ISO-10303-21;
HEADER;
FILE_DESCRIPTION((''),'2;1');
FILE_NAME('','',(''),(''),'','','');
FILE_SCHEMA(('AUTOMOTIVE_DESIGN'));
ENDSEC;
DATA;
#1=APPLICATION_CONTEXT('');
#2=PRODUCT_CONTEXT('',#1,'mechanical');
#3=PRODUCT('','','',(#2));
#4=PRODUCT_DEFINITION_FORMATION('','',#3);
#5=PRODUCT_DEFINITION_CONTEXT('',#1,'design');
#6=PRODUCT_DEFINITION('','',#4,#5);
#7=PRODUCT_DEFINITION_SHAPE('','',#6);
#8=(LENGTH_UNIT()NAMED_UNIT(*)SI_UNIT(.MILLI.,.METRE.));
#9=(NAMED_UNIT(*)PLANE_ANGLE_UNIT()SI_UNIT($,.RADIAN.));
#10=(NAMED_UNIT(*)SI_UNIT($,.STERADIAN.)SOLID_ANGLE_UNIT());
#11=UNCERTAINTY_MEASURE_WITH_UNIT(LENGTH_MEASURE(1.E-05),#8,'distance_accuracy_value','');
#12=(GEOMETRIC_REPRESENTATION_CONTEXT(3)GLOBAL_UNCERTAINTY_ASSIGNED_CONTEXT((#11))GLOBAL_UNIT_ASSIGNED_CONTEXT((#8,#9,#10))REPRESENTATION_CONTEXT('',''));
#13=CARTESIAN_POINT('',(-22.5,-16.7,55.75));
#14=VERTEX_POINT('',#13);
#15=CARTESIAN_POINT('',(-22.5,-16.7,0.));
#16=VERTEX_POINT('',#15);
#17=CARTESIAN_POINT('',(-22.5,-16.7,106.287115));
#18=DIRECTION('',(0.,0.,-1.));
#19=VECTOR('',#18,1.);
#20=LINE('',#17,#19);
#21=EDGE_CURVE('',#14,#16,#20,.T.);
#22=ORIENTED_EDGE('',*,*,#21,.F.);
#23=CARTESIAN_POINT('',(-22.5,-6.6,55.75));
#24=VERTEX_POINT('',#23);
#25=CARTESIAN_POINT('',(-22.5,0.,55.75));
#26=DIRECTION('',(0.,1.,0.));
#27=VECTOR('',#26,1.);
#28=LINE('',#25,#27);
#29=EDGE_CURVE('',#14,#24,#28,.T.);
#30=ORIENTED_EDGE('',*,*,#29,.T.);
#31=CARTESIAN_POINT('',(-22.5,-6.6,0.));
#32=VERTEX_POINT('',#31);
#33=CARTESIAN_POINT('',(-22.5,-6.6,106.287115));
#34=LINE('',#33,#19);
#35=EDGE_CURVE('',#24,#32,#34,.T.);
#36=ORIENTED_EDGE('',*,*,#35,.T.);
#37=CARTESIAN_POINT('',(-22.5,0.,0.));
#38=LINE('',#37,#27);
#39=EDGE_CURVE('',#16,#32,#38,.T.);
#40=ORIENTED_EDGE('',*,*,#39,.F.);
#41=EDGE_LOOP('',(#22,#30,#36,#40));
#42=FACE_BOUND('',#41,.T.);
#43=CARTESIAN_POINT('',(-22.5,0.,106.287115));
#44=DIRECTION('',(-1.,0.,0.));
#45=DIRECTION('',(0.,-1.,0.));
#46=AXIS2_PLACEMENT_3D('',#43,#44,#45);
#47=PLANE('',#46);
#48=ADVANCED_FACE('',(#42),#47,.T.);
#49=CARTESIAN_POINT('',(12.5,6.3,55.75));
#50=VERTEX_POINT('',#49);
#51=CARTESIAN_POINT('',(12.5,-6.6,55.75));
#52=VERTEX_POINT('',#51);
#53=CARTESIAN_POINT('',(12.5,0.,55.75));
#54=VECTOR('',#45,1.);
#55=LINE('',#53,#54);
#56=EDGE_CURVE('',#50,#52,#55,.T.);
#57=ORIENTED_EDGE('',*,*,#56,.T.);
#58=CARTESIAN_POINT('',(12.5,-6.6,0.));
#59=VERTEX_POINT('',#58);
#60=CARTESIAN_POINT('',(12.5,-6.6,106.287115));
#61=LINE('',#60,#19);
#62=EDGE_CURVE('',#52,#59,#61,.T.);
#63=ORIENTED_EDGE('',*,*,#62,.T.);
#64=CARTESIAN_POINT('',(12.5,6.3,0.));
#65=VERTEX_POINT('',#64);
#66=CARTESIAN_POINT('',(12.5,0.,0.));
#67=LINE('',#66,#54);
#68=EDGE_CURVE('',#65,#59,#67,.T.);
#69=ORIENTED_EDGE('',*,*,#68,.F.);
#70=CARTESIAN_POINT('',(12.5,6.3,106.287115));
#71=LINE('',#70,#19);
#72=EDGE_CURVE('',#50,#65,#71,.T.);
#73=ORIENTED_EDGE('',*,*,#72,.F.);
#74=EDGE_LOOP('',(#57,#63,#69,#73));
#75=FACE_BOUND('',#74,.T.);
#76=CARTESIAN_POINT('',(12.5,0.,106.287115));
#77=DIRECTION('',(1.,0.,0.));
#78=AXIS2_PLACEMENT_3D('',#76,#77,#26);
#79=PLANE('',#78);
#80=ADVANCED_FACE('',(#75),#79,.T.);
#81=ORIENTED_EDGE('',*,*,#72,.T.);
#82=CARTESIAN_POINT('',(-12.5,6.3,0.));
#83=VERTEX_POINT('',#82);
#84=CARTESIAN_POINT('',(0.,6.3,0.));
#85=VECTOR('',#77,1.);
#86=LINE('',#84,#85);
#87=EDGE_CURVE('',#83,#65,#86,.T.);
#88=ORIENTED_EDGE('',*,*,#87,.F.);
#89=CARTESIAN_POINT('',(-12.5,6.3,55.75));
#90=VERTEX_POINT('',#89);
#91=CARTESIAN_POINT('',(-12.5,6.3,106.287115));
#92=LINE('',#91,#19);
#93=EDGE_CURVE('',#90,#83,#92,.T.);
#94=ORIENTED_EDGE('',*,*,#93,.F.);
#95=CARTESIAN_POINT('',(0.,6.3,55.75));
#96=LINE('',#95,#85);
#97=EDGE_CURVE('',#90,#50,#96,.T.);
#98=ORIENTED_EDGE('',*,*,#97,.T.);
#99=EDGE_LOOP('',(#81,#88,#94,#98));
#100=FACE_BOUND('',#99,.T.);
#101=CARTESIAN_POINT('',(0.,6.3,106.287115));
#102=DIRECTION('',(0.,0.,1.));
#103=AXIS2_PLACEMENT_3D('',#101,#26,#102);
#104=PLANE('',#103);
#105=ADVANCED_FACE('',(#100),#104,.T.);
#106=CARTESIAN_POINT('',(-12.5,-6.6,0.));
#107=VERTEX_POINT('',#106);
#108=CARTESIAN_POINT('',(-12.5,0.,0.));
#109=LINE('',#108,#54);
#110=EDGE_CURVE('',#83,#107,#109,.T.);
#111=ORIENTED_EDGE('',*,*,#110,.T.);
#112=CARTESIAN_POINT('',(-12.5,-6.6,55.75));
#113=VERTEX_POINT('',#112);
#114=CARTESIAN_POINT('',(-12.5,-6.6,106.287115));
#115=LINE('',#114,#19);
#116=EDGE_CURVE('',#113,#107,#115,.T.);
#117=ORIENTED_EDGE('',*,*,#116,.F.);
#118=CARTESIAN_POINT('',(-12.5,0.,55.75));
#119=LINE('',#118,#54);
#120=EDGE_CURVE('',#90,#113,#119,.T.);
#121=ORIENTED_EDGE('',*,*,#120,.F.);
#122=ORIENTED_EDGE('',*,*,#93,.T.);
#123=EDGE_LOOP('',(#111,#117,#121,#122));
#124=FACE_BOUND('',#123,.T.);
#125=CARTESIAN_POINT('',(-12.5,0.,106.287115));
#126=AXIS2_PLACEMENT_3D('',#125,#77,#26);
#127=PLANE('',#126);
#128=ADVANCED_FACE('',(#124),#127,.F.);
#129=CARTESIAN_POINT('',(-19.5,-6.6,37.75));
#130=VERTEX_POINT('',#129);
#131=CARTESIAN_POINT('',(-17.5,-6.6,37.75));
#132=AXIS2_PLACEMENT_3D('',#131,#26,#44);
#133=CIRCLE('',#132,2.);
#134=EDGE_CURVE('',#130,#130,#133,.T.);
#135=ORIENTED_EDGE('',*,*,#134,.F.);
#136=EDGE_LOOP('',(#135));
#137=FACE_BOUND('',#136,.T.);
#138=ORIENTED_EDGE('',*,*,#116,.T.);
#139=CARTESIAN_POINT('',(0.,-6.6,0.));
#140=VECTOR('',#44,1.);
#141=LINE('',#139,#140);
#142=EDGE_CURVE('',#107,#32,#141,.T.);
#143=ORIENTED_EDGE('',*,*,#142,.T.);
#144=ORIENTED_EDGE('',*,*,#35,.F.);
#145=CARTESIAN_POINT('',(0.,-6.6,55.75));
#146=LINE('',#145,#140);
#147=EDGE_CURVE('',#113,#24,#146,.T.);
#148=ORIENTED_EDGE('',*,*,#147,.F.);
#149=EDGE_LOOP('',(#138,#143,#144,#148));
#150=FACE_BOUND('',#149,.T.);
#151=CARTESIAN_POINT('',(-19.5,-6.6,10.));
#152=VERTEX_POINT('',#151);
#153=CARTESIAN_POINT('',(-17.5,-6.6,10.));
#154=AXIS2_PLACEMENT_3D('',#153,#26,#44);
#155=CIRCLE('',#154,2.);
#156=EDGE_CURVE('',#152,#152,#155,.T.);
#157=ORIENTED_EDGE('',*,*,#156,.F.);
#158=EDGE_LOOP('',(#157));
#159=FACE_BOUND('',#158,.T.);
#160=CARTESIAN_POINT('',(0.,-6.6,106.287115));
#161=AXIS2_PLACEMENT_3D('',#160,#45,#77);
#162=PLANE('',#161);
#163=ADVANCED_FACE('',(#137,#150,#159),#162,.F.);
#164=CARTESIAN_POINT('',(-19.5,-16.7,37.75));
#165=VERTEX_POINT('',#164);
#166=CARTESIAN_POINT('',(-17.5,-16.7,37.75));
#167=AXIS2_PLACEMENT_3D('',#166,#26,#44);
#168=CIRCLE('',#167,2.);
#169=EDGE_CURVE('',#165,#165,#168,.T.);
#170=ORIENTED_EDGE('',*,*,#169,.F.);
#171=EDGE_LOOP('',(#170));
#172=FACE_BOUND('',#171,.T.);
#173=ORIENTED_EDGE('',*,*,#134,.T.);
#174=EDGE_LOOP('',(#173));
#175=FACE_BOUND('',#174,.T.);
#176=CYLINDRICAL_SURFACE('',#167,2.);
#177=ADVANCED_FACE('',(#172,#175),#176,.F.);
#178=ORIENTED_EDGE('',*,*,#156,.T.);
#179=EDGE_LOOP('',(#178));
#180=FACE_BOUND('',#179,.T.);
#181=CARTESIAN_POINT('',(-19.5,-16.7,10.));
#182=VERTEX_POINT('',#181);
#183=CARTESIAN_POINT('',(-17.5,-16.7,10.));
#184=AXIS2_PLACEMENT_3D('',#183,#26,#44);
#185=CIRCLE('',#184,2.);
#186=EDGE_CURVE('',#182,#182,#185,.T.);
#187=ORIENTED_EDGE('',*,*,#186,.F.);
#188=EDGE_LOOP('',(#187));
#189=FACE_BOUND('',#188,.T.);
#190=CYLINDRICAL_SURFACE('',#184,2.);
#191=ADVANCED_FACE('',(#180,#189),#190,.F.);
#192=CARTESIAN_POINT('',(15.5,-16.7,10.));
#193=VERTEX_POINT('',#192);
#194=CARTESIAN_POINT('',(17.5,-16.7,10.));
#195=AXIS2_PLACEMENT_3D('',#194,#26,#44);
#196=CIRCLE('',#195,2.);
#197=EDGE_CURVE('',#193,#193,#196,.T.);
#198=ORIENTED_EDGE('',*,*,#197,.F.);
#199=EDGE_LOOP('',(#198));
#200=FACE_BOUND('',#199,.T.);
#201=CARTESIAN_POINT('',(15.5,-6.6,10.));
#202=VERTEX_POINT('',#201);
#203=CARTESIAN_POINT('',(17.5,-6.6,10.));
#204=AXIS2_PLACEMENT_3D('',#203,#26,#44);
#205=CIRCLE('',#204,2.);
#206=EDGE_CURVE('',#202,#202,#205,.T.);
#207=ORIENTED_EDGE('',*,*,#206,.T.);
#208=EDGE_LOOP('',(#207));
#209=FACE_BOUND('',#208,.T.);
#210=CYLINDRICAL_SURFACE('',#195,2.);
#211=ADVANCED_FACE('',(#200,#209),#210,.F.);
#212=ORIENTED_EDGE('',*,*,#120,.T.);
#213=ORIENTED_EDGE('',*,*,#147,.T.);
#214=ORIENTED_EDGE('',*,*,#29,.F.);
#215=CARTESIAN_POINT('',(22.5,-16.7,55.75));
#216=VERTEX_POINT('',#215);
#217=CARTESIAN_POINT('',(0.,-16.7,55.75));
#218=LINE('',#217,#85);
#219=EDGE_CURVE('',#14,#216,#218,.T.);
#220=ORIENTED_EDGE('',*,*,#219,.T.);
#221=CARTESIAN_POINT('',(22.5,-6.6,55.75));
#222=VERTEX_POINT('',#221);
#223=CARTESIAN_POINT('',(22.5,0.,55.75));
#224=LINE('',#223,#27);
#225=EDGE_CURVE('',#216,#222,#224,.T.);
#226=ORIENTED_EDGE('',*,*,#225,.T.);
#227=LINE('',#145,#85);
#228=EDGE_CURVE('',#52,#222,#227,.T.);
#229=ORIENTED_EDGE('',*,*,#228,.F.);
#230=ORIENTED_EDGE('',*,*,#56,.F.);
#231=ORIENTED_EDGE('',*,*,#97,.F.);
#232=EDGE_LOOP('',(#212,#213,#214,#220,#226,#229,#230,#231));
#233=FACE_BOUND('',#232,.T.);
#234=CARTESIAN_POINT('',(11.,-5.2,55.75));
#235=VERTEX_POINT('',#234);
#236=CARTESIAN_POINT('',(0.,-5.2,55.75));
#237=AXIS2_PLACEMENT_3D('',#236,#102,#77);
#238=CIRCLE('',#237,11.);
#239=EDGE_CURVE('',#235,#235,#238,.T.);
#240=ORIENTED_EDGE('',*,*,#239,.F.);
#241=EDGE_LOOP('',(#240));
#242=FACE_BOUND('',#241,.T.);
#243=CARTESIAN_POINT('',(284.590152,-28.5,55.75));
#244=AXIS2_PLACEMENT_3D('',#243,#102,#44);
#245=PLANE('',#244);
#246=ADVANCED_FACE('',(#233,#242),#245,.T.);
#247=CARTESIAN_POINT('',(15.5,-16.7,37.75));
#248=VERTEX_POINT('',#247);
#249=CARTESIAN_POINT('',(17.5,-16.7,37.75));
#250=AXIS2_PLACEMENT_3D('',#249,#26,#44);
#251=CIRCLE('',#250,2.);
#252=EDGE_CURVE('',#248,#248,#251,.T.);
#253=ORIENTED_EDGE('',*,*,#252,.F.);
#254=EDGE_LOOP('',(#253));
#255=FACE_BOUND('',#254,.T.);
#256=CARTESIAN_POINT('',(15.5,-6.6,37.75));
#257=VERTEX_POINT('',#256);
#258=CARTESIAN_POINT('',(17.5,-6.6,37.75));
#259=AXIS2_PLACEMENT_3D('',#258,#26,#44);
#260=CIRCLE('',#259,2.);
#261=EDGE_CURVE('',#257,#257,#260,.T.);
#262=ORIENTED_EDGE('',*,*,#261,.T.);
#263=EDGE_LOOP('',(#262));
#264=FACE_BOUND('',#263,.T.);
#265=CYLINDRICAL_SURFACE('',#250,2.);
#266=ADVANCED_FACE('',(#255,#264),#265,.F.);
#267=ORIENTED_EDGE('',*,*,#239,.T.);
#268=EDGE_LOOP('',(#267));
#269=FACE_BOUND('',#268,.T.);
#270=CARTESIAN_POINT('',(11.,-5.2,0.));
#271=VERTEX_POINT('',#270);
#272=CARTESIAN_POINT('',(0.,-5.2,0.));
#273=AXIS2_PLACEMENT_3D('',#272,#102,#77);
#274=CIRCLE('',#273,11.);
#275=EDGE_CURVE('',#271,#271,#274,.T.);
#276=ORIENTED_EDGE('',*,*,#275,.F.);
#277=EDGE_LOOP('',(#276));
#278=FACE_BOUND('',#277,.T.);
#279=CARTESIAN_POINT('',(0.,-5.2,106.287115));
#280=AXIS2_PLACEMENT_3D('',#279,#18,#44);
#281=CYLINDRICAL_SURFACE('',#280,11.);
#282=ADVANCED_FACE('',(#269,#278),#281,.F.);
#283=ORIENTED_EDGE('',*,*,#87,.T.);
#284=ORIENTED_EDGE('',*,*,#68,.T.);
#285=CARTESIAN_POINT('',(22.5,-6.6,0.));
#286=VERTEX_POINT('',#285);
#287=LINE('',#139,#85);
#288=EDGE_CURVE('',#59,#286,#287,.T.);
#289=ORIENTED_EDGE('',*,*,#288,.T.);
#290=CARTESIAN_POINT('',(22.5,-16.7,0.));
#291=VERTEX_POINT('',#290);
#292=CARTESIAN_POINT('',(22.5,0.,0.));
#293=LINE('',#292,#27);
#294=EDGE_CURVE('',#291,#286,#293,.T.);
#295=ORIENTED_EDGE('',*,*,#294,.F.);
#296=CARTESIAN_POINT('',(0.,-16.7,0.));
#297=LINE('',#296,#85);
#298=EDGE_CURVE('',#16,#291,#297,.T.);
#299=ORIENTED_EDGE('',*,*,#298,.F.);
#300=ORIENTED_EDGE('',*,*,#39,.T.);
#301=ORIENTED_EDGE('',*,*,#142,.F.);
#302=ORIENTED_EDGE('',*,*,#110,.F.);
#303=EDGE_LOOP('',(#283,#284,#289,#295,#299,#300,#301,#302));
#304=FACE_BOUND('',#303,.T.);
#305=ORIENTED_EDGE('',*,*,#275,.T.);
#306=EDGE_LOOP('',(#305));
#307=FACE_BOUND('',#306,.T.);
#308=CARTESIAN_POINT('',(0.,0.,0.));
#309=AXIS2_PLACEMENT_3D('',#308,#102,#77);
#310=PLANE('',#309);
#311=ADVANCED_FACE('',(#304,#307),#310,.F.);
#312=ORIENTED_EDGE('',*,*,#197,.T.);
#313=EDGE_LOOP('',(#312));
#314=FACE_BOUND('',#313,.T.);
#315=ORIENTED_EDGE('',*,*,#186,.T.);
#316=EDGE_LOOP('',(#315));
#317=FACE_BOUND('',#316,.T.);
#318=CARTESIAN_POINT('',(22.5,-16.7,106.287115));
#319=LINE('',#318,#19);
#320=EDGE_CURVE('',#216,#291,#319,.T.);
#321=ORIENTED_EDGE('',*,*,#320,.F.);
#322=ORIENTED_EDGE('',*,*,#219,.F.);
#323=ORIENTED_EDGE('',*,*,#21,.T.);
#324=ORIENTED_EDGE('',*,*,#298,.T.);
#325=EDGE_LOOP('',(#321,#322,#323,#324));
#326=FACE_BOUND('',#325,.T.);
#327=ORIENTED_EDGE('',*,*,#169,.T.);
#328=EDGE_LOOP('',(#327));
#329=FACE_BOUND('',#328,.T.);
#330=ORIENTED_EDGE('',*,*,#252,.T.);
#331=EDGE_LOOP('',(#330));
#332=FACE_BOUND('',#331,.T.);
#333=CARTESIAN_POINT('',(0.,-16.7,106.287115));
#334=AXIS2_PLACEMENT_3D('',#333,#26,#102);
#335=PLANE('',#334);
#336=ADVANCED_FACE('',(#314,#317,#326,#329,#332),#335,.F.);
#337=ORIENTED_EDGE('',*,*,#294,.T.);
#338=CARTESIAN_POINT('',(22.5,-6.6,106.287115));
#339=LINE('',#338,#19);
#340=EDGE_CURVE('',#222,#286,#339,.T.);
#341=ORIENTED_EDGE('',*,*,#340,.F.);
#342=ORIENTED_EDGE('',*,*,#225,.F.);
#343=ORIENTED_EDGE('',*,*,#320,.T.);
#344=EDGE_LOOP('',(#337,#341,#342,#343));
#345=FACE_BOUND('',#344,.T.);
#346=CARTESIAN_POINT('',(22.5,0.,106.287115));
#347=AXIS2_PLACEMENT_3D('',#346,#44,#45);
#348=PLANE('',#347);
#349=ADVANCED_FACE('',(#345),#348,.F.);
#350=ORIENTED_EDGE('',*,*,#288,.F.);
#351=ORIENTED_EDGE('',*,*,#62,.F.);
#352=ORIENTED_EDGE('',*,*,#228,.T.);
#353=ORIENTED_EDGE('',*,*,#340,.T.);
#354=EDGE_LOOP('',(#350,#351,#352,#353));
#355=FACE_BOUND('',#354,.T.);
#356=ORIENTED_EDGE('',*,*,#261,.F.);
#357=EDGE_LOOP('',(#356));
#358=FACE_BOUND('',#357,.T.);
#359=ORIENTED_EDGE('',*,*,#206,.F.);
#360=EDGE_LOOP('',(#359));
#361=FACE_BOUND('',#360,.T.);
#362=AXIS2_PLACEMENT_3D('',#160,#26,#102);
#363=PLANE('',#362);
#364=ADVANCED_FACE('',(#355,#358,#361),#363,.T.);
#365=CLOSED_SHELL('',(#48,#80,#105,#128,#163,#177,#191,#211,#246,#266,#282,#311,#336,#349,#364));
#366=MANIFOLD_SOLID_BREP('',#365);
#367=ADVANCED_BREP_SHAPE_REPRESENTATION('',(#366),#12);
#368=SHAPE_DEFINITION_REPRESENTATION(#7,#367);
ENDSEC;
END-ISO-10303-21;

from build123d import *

# Parameters (mm, degrees)
SKETCH1_W           = 25
SKETCH1_H           = 23
SKETCH1_R           = 11
SKETCH1_W_2         = 10
SKETCH1_H_2         = 10.1
BOSS_EXTRUDE1_DEPTH = 55.75
SKETCH2_R           = 2
CUT_EXTRUDE1_DEPTH  = 62.487580047


with BuildPart() as part:
    # Sketch1 → Boss-Extrude1 (new body)
    # profile 1 of 3: a face of its own
    with BuildSketch(Plane.XY):
        with Locations((0, -5.2)):
            Rectangle(SKETCH1_W, SKETCH1_H)
        with Locations((0, -5.2)):
            Circle(SKETCH1_R, mode=Mode.SUBTRACT)
    # profile 2 of 3: a face of its own
    with BuildSketch(Plane.XY):
        with Locations((-17.5, -11.65)):
            Rectangle(SKETCH1_W_2, SKETCH1_H_2)
    # profile 3 of 3: a face of its own
    with BuildSketch(Plane.XY):
        with Locations((17.5, -11.65)):
            Rectangle(SKETCH1_W_2, SKETCH1_H_2)
    extrude(amount=BOSS_EXTRUDE1_DEPTH)

    # Sketch2 → Cut-Extrude1 (cut, through all)
    with BuildSketch(Plane(origin=(0, -6.6, 0), x_dir=(1, 0, 0), z_dir=(0, 1, 0))):
        with Locations(Location((-17.5, -10, 0), (0, 0, 180))):
            Circle(SKETCH2_R)
        with Locations(Location((17.5, -10, 0), (0, 0, 180))):
            Circle(SKETCH2_R)
        with Locations(Location((-17.5, -37.75, 0), (0, 0, 180))):
            Circle(SKETCH2_R)
        with Locations(Location((17.5, -37.75, 0), (0, 0, 180))):
            Circle(SKETCH2_R)
    extrude(amount=-CUT_EXTRUDE1_DEPTH, mode=Mode.SUBTRACT)


solid = part.part
